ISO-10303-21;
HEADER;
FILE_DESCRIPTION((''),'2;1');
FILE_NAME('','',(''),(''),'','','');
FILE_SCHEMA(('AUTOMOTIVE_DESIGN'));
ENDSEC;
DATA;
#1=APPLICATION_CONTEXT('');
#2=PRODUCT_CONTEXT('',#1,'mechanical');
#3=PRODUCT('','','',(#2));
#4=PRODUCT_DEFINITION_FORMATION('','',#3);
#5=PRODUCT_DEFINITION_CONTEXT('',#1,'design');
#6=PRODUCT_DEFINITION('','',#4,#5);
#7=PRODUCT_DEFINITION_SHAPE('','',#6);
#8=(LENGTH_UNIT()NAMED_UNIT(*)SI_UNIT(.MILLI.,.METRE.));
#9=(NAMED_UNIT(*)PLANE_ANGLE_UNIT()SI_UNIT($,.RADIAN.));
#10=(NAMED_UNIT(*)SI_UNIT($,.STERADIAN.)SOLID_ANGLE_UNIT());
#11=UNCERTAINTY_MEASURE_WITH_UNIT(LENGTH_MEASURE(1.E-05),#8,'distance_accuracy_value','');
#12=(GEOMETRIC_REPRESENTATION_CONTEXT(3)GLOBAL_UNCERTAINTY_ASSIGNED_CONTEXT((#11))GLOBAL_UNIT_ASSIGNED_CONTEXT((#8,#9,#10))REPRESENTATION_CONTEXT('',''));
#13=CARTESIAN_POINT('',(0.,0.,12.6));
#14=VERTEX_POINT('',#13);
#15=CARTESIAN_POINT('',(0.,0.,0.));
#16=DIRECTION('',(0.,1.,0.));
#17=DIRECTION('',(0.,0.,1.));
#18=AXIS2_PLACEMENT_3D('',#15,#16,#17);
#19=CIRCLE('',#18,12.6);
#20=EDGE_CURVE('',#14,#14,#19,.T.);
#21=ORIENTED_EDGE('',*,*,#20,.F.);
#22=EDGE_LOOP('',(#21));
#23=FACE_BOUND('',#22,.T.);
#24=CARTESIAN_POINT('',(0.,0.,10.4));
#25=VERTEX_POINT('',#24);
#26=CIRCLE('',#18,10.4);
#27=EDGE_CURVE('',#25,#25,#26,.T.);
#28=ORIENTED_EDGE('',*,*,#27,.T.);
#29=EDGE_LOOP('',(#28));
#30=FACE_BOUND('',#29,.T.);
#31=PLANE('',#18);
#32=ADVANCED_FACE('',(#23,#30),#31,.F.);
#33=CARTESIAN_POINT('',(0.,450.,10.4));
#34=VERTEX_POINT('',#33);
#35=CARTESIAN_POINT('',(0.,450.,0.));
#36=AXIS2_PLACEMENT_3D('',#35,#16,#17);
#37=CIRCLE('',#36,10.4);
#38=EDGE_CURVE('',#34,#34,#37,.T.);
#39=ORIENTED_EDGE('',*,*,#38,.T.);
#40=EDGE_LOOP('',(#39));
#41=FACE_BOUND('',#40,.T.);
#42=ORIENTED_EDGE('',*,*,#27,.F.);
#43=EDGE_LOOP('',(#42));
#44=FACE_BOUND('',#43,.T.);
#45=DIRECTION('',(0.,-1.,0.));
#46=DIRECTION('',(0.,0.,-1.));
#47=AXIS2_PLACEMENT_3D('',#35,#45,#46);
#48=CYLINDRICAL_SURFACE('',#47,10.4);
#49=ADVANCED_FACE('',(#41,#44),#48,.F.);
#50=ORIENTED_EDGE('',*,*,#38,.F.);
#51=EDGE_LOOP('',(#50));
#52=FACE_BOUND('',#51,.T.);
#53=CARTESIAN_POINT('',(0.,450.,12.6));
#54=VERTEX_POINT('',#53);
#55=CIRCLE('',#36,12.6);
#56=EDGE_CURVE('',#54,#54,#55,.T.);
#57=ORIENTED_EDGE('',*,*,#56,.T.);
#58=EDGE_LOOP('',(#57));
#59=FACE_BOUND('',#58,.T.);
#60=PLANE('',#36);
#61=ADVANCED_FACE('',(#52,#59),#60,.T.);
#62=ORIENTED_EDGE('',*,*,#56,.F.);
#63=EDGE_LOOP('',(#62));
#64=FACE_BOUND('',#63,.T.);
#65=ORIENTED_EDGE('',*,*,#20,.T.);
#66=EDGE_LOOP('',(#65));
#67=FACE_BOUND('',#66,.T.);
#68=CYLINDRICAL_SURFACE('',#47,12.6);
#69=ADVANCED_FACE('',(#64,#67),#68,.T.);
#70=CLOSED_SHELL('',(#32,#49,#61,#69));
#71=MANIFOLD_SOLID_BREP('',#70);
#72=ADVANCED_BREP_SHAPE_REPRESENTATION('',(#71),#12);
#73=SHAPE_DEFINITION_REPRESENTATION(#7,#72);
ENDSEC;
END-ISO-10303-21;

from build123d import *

# Parameters (mm, degrees)
SKETCH_1_R      = 12.6
EXTRUDE_1_DEPTH = 450
SHELL_1_T       = -2.2


with BuildPart() as part:
    # 스케치1 → 보스-돌출1 (new body)
    with BuildSketch(Plane(origin=(0, 0, 0), x_dir=(1, 0, 0), z_dir=(0, 1, 0))):
        with Locations(Location((0, 0, 0), (0, 0, 270))):
            Circle(SKETCH_1_R)
    extrude(amount=EXTRUDE_1_DEPTH)

    # 쉘1
    shell_1_openings = [part.faces().sort_by_distance(p)[0] for p in [
        (0, 450, 0),
        (0, 0, 0),
    ]]
    offset(amount=SHELL_1_T, openings=shell_1_openings, kind=Kind.INTERSECTION)


solid = part.part
